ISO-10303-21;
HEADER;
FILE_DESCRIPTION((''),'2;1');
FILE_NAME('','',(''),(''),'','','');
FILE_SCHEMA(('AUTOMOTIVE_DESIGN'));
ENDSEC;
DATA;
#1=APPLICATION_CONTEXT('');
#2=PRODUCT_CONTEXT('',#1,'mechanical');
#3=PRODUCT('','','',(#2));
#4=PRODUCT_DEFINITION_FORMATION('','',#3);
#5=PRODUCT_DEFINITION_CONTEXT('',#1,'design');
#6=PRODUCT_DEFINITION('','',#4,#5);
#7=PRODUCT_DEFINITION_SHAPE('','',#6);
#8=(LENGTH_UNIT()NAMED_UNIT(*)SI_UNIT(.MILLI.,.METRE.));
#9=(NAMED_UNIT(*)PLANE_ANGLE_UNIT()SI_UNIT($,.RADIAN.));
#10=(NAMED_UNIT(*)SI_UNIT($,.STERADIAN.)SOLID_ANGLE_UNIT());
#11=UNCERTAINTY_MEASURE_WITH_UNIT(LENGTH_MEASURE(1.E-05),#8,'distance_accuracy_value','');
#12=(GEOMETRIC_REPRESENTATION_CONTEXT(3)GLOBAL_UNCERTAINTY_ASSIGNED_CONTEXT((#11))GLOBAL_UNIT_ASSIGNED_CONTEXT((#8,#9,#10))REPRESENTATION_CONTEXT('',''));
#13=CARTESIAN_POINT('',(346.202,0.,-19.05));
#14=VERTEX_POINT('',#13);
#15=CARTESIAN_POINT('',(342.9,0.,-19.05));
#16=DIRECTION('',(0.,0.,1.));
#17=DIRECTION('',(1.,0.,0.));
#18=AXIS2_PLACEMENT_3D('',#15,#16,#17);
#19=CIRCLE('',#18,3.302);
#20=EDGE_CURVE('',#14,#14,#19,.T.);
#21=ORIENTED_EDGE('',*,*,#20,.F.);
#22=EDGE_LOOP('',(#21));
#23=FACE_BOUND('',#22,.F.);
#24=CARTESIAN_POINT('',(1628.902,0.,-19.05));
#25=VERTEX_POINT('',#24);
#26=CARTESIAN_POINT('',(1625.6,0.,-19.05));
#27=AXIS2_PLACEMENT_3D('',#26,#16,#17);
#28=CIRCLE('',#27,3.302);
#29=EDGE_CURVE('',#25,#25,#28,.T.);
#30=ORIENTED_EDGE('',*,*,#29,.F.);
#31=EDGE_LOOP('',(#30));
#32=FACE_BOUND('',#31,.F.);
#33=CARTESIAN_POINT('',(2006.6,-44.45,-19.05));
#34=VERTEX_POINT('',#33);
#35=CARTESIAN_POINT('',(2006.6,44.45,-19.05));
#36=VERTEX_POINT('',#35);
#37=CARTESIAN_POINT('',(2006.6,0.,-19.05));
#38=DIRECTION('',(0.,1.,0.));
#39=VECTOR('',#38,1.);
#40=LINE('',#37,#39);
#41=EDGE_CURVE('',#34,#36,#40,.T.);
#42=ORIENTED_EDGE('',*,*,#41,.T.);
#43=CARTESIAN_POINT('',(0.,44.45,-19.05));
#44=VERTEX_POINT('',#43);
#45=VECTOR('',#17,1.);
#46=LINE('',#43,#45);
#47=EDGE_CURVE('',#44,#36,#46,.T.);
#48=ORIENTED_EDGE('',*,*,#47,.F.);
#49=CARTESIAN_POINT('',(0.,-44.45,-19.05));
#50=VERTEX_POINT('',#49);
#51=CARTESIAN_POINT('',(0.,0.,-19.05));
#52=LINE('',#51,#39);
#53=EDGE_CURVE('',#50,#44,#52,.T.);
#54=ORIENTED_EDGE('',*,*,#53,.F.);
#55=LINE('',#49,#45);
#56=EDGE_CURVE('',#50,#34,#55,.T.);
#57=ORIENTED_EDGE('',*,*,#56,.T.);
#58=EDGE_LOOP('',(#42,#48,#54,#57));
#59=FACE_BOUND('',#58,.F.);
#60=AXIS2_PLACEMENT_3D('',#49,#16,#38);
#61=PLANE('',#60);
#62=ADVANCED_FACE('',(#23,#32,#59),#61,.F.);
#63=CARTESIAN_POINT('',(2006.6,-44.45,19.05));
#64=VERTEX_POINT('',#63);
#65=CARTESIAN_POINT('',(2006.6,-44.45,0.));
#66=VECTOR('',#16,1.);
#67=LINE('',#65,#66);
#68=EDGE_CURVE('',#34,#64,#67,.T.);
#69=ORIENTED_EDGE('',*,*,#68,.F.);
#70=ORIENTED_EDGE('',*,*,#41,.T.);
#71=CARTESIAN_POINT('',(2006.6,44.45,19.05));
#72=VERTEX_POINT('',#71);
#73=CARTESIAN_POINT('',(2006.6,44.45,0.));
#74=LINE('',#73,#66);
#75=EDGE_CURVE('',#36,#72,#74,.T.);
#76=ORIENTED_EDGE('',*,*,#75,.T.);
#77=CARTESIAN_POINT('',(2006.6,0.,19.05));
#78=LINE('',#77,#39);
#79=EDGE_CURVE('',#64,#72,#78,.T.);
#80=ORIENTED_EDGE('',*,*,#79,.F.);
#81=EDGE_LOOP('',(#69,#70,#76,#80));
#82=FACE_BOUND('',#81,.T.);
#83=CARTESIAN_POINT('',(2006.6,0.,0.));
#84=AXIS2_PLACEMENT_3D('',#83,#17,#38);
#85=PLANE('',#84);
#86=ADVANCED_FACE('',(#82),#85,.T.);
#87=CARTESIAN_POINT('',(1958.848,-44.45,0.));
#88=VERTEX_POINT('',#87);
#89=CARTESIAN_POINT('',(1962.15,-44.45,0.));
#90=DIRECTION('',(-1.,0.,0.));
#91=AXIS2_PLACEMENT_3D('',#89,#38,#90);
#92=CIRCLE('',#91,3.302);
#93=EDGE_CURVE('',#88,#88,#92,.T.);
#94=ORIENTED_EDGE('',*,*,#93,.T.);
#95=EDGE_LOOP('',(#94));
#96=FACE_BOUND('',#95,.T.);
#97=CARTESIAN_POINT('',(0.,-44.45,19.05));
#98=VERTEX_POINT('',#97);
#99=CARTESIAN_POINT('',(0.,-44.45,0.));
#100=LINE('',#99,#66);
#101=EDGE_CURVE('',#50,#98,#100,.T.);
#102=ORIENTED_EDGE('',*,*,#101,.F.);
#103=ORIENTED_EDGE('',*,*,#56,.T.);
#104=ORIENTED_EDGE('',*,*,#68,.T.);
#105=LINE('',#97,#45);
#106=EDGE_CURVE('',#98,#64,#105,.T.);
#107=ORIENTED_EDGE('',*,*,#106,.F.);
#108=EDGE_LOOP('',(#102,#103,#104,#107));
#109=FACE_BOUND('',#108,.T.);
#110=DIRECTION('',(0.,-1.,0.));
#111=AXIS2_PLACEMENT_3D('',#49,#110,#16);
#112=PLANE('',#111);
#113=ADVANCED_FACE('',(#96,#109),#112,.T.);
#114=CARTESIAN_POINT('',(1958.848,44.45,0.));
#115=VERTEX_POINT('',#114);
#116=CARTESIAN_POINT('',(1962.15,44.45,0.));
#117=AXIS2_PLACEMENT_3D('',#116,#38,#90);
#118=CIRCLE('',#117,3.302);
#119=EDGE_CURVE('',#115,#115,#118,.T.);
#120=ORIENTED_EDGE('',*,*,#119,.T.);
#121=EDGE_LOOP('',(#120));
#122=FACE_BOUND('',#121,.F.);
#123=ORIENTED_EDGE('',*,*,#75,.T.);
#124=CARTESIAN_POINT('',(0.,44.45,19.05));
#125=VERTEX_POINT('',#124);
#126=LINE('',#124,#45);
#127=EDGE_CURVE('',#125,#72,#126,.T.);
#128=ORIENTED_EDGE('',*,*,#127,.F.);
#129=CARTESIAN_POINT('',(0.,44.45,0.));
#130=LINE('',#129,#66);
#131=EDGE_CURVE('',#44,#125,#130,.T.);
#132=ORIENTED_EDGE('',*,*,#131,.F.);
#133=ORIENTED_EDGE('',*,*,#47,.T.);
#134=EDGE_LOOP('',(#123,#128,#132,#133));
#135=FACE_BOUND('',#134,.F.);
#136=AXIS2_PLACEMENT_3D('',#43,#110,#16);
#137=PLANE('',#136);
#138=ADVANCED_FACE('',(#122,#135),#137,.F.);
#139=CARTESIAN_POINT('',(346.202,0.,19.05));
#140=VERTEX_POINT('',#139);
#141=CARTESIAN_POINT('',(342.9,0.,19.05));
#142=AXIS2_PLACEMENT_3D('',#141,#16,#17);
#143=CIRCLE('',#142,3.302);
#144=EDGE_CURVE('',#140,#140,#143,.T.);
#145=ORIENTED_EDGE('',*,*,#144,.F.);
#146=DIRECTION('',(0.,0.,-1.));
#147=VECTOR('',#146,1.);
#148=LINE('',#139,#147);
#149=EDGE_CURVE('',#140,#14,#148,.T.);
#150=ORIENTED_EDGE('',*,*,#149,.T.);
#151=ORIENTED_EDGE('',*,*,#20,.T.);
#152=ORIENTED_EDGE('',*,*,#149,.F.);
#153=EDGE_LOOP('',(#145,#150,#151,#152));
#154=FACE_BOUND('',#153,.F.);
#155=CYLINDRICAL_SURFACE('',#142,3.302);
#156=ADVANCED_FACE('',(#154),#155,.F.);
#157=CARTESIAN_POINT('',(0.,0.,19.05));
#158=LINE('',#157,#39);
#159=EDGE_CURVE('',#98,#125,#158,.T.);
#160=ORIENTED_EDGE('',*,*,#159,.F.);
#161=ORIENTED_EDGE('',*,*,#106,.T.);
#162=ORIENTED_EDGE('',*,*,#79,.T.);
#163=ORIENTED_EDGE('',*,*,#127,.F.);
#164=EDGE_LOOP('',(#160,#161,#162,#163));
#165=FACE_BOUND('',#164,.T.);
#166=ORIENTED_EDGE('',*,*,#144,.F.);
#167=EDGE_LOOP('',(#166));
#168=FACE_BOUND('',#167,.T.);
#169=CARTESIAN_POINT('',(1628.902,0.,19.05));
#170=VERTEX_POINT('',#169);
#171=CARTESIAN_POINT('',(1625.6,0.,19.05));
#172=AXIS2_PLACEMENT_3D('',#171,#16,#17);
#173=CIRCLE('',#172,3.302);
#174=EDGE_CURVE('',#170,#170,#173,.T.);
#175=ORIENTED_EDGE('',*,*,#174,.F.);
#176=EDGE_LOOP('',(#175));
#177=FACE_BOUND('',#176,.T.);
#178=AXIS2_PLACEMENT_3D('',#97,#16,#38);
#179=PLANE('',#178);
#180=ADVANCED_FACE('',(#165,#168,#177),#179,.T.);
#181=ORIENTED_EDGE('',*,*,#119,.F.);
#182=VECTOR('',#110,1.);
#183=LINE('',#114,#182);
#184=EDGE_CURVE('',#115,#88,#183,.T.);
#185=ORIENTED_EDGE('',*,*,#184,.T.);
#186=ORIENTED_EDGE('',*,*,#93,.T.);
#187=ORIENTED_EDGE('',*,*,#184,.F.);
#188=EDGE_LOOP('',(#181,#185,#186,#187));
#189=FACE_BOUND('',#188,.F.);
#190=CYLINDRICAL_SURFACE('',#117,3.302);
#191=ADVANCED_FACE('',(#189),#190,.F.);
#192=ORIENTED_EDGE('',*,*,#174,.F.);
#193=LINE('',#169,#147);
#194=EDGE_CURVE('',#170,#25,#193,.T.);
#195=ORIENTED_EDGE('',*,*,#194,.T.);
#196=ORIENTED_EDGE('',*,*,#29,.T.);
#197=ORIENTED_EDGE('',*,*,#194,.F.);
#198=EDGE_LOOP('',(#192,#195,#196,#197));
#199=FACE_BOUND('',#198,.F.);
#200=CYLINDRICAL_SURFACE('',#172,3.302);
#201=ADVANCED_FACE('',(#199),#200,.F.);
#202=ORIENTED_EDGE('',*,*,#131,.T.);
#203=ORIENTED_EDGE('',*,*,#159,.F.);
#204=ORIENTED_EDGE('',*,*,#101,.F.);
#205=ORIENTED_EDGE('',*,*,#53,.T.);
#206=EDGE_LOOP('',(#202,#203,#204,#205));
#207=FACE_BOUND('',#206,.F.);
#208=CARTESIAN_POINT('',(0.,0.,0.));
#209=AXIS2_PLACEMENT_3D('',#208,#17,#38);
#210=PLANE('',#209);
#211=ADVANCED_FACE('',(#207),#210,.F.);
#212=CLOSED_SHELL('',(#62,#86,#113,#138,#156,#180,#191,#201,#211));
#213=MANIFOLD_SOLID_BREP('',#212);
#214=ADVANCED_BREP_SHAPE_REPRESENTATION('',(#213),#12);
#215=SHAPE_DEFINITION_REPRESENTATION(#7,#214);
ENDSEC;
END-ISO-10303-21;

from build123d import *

# Parameters (mm, degrees)
F0_W     = 88.9
F0_H     = 38.1
F1_DEPTH = 2006.6
F2_R     = 3.302
F3_DEPTH = 38.101
F4_R     = 3.302
F5_DEPTH = 88.901


with BuildPart() as f1:
    # F0 (on Right) → F1 (new body)
    with BuildSketch(Plane.YZ):
        Rectangle(F0_W, F0_H)
    extrude(amount=F1_DEPTH)

    # F2 (on face) → F3 (cut, through all)
    with BuildSketch(Plane.XY.offset(19.05)):
        with Locations((342.9, 0)):
            Circle(F2_R)
        with Locations((1625.6, 0)):
            Circle(F2_R)
    extrude(amount=-F3_DEPTH, mode=Mode.SUBTRACT)

    # F4 (on face) → F5 (cut, through all)
    with BuildSketch(Plane(origin=(0, 44.45, 0), x_dir=(-1, 0, 0), z_dir=(0, 1, 0))):
        with Locations((-1962.15, 0)):
            Circle(F4_R)
    extrude(amount=-F5_DEPTH, mode=Mode.SUBTRACT)


solid = f1.part
